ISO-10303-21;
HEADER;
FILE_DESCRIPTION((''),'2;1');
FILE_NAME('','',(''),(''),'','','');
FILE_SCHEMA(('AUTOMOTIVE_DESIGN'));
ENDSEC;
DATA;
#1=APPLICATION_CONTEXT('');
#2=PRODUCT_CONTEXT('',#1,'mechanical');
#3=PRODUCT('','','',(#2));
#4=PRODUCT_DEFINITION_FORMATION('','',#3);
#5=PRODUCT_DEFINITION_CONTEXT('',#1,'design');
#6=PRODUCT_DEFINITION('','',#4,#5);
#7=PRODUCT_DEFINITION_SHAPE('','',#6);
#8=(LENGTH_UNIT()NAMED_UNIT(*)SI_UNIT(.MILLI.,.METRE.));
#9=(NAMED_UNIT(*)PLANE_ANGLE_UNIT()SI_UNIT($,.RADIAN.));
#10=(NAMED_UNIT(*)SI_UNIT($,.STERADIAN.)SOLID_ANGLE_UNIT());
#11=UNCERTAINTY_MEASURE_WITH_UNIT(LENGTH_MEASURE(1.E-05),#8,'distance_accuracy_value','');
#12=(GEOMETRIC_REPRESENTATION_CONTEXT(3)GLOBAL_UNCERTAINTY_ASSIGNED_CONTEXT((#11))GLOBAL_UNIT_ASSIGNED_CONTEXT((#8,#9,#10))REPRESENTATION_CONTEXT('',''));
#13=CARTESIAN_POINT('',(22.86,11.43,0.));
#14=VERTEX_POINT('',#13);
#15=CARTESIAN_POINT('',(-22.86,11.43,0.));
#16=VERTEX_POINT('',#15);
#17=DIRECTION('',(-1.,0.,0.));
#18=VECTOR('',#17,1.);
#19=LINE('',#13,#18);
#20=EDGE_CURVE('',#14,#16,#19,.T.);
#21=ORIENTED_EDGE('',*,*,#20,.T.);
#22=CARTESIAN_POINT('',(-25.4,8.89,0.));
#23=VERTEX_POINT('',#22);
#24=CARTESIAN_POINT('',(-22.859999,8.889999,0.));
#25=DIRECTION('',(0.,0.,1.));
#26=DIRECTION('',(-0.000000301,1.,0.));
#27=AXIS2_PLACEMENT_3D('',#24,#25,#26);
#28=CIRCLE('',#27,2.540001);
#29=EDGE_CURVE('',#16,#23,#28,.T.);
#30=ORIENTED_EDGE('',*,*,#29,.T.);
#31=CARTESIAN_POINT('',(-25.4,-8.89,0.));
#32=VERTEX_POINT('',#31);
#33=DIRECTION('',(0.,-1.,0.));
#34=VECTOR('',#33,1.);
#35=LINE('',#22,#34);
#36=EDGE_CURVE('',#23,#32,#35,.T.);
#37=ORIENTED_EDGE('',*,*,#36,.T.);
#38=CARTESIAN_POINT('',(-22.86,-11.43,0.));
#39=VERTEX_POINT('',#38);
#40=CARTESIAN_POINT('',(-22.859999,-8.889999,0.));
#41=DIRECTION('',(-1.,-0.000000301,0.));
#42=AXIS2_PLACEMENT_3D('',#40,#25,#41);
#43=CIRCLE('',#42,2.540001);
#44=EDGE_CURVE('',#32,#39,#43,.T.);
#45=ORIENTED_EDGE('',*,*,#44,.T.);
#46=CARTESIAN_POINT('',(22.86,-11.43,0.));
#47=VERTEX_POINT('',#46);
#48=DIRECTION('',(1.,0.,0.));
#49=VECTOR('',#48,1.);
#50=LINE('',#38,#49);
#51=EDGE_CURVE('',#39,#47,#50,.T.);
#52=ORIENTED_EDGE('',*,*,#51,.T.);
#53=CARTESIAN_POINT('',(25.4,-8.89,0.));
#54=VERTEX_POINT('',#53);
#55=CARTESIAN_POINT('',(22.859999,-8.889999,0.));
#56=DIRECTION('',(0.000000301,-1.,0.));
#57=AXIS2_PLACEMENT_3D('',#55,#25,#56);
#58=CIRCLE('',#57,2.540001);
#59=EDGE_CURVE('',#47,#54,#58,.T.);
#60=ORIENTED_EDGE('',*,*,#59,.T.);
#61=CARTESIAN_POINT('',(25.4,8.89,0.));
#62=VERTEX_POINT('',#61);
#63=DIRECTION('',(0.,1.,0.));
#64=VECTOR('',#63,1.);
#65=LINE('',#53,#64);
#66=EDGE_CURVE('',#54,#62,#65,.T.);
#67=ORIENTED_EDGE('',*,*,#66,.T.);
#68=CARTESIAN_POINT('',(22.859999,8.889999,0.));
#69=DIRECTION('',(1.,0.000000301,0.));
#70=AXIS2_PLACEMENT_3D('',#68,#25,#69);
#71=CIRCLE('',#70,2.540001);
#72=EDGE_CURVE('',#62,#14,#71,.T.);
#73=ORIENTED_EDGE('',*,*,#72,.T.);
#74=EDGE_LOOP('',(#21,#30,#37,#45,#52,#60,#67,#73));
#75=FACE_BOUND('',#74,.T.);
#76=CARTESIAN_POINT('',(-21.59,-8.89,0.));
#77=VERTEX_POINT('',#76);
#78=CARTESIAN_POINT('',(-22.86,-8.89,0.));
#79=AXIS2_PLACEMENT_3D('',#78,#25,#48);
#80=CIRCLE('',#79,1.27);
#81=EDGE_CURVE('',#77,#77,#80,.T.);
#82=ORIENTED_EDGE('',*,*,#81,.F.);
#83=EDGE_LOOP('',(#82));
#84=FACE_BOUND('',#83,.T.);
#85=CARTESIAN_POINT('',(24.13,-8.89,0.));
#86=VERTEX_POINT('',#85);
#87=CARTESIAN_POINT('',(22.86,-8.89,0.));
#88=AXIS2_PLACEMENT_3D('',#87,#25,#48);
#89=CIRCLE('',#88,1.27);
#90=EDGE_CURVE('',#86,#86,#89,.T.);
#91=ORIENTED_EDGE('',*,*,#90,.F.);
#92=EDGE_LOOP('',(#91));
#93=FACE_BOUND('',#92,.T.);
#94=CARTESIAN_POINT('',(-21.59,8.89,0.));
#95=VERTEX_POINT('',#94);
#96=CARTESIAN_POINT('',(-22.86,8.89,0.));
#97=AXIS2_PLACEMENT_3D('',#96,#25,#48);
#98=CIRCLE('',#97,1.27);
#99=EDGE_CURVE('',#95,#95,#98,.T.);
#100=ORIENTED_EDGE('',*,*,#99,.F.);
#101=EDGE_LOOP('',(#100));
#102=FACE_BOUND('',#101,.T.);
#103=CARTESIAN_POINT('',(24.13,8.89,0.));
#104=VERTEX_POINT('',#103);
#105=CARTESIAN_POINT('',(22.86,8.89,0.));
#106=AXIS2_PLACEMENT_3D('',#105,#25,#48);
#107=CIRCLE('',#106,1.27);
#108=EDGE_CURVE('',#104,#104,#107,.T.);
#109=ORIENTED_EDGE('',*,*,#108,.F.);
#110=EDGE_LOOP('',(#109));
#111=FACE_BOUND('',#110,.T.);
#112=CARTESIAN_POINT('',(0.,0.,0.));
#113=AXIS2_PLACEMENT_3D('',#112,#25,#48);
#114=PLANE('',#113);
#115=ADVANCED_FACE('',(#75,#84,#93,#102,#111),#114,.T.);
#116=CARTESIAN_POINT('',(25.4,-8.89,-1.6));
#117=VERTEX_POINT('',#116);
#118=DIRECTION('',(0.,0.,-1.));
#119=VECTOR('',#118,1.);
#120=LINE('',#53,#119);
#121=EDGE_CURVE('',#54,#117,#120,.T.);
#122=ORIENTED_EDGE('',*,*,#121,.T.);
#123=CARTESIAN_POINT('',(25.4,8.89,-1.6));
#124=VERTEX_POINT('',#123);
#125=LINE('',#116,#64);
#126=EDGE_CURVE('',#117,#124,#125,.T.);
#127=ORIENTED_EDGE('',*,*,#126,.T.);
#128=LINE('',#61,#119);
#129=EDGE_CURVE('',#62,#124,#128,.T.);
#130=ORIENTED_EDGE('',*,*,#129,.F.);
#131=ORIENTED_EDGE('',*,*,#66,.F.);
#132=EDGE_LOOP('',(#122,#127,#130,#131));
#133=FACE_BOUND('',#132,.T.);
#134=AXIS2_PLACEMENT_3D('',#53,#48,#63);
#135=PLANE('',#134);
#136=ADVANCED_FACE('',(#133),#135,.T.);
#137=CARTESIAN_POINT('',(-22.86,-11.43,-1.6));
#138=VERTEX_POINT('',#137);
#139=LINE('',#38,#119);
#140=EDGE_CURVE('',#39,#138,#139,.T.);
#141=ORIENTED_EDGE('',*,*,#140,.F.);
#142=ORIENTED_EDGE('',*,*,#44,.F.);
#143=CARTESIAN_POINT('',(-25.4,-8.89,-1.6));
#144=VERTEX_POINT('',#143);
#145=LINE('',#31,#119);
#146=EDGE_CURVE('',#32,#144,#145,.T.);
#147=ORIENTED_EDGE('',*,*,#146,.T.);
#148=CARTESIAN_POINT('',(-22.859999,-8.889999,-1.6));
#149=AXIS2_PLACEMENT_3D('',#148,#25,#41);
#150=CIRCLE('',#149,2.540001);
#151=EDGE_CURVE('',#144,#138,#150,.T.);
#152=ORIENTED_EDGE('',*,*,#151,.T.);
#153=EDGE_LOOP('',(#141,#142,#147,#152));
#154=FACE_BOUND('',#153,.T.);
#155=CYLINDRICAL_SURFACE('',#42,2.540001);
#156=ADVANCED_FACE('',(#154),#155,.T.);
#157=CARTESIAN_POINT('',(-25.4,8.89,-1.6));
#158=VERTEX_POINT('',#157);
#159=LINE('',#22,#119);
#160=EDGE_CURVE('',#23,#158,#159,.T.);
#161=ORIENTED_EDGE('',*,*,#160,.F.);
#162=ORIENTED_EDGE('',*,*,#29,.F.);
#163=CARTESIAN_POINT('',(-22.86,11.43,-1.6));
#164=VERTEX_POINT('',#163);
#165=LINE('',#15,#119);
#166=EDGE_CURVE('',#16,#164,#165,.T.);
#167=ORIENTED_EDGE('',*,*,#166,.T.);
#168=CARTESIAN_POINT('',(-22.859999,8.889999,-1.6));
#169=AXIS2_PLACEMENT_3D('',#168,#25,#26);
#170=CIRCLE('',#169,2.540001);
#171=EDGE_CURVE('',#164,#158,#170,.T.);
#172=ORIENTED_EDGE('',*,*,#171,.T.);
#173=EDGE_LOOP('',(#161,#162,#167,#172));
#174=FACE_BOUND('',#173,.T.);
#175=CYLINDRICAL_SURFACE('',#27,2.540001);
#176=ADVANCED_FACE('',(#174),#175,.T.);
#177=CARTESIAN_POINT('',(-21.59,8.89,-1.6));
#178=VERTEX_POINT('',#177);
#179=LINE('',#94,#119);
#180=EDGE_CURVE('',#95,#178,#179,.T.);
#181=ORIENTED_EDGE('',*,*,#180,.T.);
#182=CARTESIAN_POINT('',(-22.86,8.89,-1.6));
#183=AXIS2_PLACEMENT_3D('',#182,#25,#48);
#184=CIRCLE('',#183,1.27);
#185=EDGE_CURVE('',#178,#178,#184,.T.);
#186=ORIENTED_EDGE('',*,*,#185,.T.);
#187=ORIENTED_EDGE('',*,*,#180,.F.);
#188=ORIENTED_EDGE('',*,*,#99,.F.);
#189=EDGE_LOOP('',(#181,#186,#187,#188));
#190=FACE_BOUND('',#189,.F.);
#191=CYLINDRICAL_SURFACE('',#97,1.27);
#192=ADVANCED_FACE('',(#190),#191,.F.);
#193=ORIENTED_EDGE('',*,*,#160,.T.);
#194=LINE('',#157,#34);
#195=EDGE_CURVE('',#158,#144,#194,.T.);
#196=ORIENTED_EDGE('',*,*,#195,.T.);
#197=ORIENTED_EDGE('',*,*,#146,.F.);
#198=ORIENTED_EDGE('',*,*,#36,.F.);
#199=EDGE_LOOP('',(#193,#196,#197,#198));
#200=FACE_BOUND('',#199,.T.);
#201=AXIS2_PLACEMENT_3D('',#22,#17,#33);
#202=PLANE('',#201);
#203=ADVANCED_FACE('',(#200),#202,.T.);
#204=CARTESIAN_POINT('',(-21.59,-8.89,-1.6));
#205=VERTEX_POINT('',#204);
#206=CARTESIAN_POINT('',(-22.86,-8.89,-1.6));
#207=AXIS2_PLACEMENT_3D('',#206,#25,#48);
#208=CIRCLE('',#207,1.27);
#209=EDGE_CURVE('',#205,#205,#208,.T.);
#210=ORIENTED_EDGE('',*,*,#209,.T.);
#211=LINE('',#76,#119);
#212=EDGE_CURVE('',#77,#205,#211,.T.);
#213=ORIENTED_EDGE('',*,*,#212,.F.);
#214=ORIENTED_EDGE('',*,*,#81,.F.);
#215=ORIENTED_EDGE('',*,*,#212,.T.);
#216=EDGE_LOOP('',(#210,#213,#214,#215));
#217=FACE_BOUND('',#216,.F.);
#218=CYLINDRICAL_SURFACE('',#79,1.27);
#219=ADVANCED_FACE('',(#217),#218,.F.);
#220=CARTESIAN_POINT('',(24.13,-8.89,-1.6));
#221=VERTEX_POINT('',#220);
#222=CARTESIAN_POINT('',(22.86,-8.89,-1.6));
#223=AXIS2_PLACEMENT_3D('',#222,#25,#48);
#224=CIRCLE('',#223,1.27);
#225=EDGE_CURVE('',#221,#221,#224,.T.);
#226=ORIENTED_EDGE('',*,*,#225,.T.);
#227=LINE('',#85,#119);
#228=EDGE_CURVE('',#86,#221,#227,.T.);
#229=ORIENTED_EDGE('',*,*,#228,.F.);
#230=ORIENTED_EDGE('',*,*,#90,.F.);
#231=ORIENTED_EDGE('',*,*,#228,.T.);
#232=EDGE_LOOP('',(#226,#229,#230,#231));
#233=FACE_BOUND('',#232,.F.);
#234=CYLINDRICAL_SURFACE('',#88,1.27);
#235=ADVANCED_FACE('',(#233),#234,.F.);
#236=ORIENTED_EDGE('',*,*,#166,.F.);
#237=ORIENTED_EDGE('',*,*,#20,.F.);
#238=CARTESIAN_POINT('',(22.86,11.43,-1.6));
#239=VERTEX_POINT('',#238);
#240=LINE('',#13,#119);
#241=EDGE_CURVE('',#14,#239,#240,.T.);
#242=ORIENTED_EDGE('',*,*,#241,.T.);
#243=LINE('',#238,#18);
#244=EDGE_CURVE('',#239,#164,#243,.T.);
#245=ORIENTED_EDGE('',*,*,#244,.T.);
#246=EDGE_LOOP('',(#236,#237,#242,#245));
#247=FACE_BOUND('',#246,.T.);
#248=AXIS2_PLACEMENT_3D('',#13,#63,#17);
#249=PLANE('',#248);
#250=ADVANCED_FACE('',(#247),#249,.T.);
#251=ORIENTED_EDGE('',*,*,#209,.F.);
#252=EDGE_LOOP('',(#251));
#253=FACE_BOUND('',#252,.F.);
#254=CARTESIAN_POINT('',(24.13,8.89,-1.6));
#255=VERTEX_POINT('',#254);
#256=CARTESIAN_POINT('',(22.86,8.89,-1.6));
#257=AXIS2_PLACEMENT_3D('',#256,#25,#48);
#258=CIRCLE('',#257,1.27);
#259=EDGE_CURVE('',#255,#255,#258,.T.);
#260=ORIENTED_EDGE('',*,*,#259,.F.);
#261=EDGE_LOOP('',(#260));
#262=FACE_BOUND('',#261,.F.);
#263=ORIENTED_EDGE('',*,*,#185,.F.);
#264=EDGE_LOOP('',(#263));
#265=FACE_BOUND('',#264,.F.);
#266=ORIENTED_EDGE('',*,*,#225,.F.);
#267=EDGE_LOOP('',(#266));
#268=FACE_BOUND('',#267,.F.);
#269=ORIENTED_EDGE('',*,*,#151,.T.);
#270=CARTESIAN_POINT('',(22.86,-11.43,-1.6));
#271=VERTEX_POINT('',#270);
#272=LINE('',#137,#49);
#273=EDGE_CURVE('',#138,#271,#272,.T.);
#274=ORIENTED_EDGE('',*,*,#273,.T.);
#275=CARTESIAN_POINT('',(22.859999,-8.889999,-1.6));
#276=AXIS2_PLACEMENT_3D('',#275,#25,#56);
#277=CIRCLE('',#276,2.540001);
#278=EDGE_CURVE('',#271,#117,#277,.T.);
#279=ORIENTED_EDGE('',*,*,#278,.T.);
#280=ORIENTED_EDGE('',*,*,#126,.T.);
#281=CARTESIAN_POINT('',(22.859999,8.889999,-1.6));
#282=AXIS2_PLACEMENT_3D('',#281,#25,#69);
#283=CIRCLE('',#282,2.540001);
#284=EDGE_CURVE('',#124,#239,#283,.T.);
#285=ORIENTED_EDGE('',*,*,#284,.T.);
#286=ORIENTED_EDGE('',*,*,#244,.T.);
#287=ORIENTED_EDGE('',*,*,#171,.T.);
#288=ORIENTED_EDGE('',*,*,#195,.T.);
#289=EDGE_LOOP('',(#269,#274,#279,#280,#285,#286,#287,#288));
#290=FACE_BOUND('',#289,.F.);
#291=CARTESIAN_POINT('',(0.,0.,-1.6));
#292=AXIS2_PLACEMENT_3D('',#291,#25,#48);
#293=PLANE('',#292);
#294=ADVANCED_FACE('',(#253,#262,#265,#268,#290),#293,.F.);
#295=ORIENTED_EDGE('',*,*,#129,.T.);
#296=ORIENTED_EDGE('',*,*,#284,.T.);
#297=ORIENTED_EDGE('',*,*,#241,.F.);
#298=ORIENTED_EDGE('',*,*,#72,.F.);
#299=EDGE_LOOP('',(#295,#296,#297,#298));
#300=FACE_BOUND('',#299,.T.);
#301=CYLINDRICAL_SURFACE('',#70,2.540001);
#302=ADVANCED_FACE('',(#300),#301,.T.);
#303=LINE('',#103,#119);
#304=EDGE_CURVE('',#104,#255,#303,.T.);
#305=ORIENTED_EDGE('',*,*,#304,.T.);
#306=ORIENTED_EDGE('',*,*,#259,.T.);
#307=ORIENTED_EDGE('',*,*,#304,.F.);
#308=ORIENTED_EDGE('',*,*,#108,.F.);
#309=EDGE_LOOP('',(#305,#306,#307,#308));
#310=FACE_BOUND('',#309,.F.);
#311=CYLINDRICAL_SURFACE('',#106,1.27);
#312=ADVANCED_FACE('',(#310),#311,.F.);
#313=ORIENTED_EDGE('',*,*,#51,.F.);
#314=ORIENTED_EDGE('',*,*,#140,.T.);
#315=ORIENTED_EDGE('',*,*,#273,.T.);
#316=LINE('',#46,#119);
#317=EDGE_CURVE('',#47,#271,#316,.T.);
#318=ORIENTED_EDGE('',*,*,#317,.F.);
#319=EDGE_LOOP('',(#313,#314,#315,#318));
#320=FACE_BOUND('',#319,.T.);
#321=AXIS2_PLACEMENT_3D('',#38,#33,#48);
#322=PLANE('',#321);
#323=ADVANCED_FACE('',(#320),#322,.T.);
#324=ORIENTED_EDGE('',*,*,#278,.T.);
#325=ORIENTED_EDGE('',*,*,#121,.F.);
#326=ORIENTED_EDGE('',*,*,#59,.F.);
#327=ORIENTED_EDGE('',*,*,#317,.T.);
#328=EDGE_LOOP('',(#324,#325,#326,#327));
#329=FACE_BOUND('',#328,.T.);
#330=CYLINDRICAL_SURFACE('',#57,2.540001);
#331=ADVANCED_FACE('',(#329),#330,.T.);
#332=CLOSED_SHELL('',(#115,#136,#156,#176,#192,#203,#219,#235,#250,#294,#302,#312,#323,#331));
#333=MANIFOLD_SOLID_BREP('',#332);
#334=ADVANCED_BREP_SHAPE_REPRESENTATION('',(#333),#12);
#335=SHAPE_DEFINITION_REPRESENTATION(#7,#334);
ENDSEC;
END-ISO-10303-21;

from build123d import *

# Parameters (mm, degrees)
F0_R     = 1.27
F1_DEPTH = 1.6


with BuildPart() as f1:
    # F0 (on Top) → F1 (new body)
    with BuildSketch(Plane.XY):
        with BuildLine():
            Line((22.86, 11.43), (-22.86, 11.43))
            ThreePointArc((-22.86, 11.43), (-24.656051, 10.686051), (-25.4, 8.89))
            Line((-25.4, 8.89), (-25.4, -8.89))
            ThreePointArc((-25.4, -8.89), (-24.656051, -10.686051), (-22.86, -11.43))
            Line((-22.86, -11.43), (22.86, -11.43))
            ThreePointArc((22.86, -11.43), (24.656051, -10.686051), (25.4, -8.89))
            Line((25.4, -8.89), (25.4, 8.89))
            ThreePointArc((25.4, 8.89), (24.656051, 10.686051), (22.86, 11.43))
        make_face()
        with Locations((-22.86, -8.89)):
            Circle(F0_R, mode=Mode.SUBTRACT)
        with Locations((22.86, -8.89)):
            Circle(F0_R, mode=Mode.SUBTRACT)
        with Locations((-22.86, 8.89)):
            Circle(F0_R, mode=Mode.SUBTRACT)
        with Locations((22.86, 8.89)):
            Circle(F0_R, mode=Mode.SUBTRACT)
    extrude(amount=-F1_DEPTH)


solid = f1.part
